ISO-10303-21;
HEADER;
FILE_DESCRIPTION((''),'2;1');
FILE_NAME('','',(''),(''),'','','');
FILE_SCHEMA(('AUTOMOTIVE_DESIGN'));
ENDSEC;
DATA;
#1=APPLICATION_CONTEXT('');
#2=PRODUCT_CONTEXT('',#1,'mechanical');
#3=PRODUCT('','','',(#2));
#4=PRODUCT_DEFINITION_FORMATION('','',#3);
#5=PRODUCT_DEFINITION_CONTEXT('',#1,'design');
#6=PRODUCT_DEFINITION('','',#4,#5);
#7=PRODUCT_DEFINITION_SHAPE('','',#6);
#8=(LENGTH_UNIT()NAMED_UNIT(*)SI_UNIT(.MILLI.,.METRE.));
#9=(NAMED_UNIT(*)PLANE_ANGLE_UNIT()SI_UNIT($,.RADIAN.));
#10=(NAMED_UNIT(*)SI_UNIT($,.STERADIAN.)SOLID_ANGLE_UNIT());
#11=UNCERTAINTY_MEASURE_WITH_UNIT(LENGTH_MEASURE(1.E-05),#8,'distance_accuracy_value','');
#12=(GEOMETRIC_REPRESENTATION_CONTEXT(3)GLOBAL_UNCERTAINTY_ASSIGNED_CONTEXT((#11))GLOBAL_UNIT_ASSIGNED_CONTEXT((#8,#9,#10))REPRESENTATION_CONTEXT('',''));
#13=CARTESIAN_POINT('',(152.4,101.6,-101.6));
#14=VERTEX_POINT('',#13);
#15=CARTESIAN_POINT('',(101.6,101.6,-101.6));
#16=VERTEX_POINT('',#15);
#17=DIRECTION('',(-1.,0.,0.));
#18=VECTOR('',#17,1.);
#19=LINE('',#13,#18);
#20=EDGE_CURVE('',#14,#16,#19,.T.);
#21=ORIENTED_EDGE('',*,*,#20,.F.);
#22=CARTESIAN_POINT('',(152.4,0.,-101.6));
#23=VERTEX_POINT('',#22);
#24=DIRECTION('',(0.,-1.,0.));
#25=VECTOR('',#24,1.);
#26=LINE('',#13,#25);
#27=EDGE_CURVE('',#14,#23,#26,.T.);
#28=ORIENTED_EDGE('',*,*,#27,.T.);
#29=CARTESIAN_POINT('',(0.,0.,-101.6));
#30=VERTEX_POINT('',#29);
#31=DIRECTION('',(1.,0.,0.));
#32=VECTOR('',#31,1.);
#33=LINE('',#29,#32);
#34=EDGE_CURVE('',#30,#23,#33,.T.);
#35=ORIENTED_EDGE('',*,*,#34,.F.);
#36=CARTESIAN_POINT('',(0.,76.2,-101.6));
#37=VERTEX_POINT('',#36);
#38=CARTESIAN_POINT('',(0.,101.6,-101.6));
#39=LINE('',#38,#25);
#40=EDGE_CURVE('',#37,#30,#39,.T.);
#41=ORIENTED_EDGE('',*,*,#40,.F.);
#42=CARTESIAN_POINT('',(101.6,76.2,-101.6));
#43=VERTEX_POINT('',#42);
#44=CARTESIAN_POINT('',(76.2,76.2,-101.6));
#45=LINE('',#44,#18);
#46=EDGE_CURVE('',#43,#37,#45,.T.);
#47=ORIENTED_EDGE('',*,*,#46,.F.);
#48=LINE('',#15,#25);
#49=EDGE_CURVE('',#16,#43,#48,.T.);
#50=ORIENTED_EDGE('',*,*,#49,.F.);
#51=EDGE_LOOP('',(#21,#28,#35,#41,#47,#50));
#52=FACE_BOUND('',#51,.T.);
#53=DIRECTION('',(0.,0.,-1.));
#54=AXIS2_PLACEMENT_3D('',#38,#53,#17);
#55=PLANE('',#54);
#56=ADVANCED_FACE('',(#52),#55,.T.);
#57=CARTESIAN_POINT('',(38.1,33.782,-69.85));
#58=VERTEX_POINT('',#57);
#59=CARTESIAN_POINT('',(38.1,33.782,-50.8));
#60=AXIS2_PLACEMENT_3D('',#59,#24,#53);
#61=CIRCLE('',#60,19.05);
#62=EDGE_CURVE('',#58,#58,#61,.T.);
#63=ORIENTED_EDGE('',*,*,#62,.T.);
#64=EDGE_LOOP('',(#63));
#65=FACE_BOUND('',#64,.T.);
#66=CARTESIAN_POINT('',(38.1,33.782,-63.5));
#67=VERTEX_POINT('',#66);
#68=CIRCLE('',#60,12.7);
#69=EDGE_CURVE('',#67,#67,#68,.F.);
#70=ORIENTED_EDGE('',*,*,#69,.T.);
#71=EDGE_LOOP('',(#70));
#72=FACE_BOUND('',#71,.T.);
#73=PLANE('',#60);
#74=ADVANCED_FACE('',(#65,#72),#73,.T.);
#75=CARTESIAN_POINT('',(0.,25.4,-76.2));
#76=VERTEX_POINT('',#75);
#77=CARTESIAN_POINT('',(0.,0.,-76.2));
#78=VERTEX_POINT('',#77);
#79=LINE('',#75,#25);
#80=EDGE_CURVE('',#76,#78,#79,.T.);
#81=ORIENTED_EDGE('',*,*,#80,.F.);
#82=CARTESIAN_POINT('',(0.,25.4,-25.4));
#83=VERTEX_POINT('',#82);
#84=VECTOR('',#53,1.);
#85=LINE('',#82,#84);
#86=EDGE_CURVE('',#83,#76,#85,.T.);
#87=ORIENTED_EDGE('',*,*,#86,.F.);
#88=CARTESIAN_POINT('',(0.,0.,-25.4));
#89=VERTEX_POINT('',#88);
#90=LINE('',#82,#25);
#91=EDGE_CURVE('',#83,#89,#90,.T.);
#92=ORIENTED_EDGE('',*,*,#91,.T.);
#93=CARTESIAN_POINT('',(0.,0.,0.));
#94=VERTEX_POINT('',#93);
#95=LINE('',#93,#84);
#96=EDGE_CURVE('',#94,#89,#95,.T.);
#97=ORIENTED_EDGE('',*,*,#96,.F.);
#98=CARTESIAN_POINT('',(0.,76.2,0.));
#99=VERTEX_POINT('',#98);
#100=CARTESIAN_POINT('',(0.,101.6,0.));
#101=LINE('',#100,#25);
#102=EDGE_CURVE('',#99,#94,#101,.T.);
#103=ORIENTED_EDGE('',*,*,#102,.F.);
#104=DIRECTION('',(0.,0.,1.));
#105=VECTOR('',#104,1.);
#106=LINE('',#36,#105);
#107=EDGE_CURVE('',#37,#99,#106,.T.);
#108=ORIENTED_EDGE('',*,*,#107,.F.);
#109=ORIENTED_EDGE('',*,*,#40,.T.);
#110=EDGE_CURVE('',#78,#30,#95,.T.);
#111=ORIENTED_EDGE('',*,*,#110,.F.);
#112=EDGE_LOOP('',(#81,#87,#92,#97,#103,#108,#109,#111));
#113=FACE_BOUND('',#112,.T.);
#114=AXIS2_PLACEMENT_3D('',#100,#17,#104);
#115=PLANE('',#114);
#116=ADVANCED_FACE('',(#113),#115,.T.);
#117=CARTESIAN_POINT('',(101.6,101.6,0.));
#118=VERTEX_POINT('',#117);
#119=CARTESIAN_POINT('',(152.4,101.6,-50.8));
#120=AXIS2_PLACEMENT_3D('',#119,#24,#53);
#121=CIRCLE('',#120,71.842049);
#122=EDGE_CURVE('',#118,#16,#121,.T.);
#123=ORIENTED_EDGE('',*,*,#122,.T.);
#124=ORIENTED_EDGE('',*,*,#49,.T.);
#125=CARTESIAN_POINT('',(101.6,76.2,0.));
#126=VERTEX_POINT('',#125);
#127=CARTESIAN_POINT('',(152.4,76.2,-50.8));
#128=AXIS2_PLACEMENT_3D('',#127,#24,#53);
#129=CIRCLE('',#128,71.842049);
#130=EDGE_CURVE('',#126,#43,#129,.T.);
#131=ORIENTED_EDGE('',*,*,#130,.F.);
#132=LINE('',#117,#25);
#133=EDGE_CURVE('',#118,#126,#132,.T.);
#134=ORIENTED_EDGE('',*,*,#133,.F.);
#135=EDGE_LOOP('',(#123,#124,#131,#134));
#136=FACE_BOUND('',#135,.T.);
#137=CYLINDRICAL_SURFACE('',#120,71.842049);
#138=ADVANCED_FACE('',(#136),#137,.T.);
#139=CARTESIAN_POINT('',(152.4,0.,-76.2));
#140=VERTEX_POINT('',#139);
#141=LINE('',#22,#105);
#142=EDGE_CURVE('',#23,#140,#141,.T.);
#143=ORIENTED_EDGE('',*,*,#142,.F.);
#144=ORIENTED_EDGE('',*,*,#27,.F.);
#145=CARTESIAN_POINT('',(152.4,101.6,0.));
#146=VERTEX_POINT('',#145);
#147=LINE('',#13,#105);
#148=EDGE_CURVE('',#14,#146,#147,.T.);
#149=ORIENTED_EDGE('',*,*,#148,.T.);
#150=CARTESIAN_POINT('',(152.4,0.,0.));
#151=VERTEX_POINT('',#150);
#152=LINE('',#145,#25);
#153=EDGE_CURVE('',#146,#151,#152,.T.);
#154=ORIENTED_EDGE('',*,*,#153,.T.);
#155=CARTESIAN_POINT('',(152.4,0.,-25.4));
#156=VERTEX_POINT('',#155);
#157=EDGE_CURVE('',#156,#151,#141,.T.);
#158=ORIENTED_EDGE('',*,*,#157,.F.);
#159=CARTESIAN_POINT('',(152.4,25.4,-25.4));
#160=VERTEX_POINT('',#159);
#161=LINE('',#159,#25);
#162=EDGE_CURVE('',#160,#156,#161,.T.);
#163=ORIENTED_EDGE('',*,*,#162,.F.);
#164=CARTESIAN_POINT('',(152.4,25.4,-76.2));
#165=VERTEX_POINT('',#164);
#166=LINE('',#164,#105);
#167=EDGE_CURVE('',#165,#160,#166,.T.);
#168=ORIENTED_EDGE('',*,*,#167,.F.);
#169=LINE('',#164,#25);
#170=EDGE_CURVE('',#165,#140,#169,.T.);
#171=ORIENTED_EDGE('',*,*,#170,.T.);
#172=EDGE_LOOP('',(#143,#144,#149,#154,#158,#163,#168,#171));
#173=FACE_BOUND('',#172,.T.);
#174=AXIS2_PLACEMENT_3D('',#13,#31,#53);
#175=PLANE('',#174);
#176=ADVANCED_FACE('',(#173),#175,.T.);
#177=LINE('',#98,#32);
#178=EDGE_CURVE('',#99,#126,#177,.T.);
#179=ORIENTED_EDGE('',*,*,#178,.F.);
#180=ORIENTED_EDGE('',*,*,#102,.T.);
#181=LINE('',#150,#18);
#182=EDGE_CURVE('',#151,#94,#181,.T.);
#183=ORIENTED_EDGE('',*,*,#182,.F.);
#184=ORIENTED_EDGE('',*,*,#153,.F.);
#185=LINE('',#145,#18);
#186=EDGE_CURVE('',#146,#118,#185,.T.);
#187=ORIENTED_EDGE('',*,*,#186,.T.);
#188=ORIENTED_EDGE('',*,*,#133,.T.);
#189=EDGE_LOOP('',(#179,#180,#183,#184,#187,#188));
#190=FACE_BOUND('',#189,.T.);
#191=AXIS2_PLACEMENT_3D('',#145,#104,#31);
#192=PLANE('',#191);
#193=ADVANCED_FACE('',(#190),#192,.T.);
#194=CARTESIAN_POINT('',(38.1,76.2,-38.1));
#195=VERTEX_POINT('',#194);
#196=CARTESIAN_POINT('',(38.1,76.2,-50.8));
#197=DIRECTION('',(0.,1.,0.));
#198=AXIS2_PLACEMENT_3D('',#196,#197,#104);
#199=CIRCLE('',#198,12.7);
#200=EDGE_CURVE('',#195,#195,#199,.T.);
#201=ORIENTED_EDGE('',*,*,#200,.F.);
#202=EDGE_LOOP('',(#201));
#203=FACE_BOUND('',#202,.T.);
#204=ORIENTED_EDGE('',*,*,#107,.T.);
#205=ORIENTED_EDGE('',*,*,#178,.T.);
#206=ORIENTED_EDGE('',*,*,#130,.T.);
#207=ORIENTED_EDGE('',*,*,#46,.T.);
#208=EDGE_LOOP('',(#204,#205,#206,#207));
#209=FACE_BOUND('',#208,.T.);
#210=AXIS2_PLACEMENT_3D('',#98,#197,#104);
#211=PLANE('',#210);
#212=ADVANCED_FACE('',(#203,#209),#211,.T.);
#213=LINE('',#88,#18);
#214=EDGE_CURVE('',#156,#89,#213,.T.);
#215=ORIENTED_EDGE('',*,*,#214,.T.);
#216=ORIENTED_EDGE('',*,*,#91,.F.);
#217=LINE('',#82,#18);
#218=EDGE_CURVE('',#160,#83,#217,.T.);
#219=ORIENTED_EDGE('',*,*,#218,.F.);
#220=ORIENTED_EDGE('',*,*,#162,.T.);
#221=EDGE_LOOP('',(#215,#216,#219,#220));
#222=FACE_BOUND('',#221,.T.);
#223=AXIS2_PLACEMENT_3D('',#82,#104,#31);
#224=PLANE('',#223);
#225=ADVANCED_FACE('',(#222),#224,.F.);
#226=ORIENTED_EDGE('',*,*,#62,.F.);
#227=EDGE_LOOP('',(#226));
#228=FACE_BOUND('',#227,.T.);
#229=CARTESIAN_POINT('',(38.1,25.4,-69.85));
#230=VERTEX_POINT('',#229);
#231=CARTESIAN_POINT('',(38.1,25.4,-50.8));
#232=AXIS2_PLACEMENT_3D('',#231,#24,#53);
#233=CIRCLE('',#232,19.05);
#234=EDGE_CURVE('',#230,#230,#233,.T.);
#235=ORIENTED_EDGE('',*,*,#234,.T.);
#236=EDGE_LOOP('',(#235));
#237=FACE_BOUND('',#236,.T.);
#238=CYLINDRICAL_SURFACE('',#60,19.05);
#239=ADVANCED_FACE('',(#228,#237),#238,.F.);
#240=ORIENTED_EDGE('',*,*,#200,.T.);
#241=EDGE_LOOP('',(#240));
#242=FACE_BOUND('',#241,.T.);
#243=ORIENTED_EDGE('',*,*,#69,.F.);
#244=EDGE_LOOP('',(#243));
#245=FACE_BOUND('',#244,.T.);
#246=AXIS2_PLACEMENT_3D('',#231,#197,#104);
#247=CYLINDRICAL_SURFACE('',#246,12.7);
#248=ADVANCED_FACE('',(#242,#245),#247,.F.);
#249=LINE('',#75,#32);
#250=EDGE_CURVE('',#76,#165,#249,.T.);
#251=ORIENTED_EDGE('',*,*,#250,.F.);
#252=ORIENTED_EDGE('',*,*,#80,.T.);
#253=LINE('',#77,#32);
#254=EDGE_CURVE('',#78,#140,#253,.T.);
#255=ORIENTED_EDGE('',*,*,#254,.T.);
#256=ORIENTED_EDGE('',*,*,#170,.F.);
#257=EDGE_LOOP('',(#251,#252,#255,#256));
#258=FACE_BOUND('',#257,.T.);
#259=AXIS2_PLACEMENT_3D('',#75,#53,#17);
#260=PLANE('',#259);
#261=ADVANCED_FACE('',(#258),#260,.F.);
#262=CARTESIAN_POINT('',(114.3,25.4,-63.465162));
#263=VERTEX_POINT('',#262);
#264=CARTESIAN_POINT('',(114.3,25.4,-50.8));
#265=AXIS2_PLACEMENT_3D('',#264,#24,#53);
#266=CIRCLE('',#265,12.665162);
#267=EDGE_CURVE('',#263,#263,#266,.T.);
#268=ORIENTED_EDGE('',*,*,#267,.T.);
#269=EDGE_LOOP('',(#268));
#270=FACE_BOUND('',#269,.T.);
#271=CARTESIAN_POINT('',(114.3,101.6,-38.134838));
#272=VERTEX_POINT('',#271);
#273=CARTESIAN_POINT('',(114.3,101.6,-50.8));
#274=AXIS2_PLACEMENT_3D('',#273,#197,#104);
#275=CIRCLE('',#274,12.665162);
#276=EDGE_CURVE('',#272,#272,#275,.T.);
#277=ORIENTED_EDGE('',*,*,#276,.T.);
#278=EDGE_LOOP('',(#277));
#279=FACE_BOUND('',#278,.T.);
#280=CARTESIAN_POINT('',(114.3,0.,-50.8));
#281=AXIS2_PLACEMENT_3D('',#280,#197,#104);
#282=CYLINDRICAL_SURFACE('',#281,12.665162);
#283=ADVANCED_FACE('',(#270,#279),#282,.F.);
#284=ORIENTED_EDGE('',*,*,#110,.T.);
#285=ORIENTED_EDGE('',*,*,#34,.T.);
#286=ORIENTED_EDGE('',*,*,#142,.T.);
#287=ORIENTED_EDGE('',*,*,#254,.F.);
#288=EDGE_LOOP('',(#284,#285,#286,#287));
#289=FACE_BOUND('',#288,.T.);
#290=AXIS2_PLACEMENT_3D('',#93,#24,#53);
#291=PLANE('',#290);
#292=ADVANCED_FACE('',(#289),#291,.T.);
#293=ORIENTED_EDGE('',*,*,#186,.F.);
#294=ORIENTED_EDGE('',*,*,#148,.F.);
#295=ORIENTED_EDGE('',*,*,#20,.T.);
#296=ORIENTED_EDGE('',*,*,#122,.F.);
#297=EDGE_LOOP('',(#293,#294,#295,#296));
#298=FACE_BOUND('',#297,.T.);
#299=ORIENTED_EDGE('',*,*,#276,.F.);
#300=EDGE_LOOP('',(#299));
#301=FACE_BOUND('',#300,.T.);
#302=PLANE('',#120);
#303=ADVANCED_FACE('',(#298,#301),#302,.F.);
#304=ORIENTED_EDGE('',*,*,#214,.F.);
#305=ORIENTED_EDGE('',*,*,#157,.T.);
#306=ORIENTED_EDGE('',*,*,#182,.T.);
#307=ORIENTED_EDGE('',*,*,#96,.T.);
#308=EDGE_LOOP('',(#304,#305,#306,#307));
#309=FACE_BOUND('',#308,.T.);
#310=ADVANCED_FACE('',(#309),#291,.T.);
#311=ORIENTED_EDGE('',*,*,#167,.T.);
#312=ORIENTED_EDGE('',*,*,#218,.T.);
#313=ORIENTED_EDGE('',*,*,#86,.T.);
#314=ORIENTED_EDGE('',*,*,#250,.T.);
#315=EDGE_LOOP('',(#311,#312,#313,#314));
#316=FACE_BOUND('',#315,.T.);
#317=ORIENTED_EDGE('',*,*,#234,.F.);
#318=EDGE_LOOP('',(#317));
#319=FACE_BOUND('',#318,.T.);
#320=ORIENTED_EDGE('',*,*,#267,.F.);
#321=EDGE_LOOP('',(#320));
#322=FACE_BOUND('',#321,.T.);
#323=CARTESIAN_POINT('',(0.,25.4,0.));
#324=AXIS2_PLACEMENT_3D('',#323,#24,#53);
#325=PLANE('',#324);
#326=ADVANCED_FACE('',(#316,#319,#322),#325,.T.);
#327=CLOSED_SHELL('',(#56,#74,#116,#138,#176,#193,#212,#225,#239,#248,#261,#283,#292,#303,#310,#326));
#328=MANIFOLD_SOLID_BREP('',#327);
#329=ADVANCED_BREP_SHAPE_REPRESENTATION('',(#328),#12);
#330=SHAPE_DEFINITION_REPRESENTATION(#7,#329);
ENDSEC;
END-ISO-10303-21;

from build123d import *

# Parameters (mm, degrees)
SKETCH1_W           = 152.4
SKETCH1_H           = 101.6
BOSS_EXTRUDE1_DEPTH = 101.6
SKETCH2_W           = 152.4
SKETCH2_H           = 50.8
CUT_EXTRUDE1_DEPTH  = 25.4
SKETCH3_W           = 76.2
SKETCH3_H           = 101.6
CUT_EXTRUDE2_DEPTH  = 25.4
SKETCH4_W           = 76.2
SKETCH4_H           = 101.6
CUT_EXTRUDE3_DEPTH  = 25.4
BOSS_EXTRUDE2_DEPTH = 25.4
SKETCH6_R           = 12.665162167
CUT_EXTRUDE6_DEPTH  = 101.6
SKETCH7_R           = 12.7
CUT_EXTRUDE7_DEPTH  = 50.8
SKETCH8_R           = 19.05
CUT_EXTRUDE8_DEPTH  = 8.382


with BuildPart() as part:
    # Sketch1 → Boss-Extrude1 (new body)
    with BuildSketch(Plane(origin=(0, 0, 0), x_dir=(1, 0, 0), z_dir=(0, 1, 0))):
        with Locations((76.2, 50.8)):
            Rectangle(SKETCH1_W, SKETCH1_H)
    extrude(amount=BOSS_EXTRUDE1_DEPTH)

    # Sketch2 → Cut-Extrude1 (cut)
    with BuildSketch(Plane(origin=(0, 0, 0), x_dir=(-1, 0, 0), z_dir=(0, -1, 0))):
        with Locations((-76.2, 50.8)):
            Rectangle(SKETCH2_W, SKETCH2_H)
    extrude(amount=-CUT_EXTRUDE1_DEPTH, mode=Mode.SUBTRACT)

    # Sketch3 → Cut-Extrude2 (cut)
    with BuildSketch(Plane(origin=(0, 101.6, 0), x_dir=(1, 0, 0), z_dir=(0, 1, 0))):
        with Locations((38.1, 50.8)):
            Rectangle(SKETCH3_W, SKETCH3_H)
    extrude(amount=-CUT_EXTRUDE2_DEPTH, mode=Mode.SUBTRACT)

    # Sketch4 → Cut-Extrude3 (cut)
    with BuildSketch(Plane(origin=(0, 101.6, 0), x_dir=(1, 0, 0), z_dir=(0, 1, 0))):
        with Locations((114.3, 50.8)):
            Rectangle(SKETCH4_W, SKETCH4_H)
    extrude(amount=-CUT_EXTRUDE3_DEPTH, mode=Mode.SUBTRACT)

    # Sketch5 → Boss-Extrude2 (add)
    with BuildSketch(Plane(origin=(0, 76.2, 0), x_dir=(1, 0, 0), z_dir=(0, 1, 0))):
        with BuildLine():
            Line((152.4, 0), (101.6, 0))
            ThreePointArc((101.6, 0), (80.557951031, 50.8), (101.6, 101.6))
            Line((101.6, 101.6), (152.4, 101.6))
            Line((152.4, 101.6), (152.4, 0))
        make_face()
    extrude(amount=BOSS_EXTRUDE2_DEPTH)

    # Sketch6 → Cut-Extrude6 (cut)
    with BuildSketch(Plane(origin=(0, 101.6, 0), x_dir=(1, 0, 0), z_dir=(0, 1, 0))):
        with Locations(Location((114.3, 50.8, 0), (0, 0, 270))):
            Circle(SKETCH6_R)
    extrude(amount=-CUT_EXTRUDE6_DEPTH, mode=Mode.SUBTRACT)

    # Sketch7 → Cut-Extrude7 (cut)
    with BuildSketch(Plane(origin=(0, 76.2, 0), x_dir=(1, 0, 0), z_dir=(0, 1, 0))):
        with Locations(Location((38.1, 50.8, 0), (0, 0, 270))):
            Circle(SKETCH7_R)
    extrude(amount=-CUT_EXTRUDE7_DEPTH, mode=Mode.SUBTRACT)

    # Sketch8 → Cut-Extrude8 (cut)
    with BuildSketch(Plane.XZ.offset(-25.4)):
        with Locations(Location((38.1, -50.8, 0), (0, 0, 270))):
            Circle(SKETCH8_R)
    extrude(amount=-CUT_EXTRUDE8_DEPTH, mode=Mode.SUBTRACT)


solid = part.part
